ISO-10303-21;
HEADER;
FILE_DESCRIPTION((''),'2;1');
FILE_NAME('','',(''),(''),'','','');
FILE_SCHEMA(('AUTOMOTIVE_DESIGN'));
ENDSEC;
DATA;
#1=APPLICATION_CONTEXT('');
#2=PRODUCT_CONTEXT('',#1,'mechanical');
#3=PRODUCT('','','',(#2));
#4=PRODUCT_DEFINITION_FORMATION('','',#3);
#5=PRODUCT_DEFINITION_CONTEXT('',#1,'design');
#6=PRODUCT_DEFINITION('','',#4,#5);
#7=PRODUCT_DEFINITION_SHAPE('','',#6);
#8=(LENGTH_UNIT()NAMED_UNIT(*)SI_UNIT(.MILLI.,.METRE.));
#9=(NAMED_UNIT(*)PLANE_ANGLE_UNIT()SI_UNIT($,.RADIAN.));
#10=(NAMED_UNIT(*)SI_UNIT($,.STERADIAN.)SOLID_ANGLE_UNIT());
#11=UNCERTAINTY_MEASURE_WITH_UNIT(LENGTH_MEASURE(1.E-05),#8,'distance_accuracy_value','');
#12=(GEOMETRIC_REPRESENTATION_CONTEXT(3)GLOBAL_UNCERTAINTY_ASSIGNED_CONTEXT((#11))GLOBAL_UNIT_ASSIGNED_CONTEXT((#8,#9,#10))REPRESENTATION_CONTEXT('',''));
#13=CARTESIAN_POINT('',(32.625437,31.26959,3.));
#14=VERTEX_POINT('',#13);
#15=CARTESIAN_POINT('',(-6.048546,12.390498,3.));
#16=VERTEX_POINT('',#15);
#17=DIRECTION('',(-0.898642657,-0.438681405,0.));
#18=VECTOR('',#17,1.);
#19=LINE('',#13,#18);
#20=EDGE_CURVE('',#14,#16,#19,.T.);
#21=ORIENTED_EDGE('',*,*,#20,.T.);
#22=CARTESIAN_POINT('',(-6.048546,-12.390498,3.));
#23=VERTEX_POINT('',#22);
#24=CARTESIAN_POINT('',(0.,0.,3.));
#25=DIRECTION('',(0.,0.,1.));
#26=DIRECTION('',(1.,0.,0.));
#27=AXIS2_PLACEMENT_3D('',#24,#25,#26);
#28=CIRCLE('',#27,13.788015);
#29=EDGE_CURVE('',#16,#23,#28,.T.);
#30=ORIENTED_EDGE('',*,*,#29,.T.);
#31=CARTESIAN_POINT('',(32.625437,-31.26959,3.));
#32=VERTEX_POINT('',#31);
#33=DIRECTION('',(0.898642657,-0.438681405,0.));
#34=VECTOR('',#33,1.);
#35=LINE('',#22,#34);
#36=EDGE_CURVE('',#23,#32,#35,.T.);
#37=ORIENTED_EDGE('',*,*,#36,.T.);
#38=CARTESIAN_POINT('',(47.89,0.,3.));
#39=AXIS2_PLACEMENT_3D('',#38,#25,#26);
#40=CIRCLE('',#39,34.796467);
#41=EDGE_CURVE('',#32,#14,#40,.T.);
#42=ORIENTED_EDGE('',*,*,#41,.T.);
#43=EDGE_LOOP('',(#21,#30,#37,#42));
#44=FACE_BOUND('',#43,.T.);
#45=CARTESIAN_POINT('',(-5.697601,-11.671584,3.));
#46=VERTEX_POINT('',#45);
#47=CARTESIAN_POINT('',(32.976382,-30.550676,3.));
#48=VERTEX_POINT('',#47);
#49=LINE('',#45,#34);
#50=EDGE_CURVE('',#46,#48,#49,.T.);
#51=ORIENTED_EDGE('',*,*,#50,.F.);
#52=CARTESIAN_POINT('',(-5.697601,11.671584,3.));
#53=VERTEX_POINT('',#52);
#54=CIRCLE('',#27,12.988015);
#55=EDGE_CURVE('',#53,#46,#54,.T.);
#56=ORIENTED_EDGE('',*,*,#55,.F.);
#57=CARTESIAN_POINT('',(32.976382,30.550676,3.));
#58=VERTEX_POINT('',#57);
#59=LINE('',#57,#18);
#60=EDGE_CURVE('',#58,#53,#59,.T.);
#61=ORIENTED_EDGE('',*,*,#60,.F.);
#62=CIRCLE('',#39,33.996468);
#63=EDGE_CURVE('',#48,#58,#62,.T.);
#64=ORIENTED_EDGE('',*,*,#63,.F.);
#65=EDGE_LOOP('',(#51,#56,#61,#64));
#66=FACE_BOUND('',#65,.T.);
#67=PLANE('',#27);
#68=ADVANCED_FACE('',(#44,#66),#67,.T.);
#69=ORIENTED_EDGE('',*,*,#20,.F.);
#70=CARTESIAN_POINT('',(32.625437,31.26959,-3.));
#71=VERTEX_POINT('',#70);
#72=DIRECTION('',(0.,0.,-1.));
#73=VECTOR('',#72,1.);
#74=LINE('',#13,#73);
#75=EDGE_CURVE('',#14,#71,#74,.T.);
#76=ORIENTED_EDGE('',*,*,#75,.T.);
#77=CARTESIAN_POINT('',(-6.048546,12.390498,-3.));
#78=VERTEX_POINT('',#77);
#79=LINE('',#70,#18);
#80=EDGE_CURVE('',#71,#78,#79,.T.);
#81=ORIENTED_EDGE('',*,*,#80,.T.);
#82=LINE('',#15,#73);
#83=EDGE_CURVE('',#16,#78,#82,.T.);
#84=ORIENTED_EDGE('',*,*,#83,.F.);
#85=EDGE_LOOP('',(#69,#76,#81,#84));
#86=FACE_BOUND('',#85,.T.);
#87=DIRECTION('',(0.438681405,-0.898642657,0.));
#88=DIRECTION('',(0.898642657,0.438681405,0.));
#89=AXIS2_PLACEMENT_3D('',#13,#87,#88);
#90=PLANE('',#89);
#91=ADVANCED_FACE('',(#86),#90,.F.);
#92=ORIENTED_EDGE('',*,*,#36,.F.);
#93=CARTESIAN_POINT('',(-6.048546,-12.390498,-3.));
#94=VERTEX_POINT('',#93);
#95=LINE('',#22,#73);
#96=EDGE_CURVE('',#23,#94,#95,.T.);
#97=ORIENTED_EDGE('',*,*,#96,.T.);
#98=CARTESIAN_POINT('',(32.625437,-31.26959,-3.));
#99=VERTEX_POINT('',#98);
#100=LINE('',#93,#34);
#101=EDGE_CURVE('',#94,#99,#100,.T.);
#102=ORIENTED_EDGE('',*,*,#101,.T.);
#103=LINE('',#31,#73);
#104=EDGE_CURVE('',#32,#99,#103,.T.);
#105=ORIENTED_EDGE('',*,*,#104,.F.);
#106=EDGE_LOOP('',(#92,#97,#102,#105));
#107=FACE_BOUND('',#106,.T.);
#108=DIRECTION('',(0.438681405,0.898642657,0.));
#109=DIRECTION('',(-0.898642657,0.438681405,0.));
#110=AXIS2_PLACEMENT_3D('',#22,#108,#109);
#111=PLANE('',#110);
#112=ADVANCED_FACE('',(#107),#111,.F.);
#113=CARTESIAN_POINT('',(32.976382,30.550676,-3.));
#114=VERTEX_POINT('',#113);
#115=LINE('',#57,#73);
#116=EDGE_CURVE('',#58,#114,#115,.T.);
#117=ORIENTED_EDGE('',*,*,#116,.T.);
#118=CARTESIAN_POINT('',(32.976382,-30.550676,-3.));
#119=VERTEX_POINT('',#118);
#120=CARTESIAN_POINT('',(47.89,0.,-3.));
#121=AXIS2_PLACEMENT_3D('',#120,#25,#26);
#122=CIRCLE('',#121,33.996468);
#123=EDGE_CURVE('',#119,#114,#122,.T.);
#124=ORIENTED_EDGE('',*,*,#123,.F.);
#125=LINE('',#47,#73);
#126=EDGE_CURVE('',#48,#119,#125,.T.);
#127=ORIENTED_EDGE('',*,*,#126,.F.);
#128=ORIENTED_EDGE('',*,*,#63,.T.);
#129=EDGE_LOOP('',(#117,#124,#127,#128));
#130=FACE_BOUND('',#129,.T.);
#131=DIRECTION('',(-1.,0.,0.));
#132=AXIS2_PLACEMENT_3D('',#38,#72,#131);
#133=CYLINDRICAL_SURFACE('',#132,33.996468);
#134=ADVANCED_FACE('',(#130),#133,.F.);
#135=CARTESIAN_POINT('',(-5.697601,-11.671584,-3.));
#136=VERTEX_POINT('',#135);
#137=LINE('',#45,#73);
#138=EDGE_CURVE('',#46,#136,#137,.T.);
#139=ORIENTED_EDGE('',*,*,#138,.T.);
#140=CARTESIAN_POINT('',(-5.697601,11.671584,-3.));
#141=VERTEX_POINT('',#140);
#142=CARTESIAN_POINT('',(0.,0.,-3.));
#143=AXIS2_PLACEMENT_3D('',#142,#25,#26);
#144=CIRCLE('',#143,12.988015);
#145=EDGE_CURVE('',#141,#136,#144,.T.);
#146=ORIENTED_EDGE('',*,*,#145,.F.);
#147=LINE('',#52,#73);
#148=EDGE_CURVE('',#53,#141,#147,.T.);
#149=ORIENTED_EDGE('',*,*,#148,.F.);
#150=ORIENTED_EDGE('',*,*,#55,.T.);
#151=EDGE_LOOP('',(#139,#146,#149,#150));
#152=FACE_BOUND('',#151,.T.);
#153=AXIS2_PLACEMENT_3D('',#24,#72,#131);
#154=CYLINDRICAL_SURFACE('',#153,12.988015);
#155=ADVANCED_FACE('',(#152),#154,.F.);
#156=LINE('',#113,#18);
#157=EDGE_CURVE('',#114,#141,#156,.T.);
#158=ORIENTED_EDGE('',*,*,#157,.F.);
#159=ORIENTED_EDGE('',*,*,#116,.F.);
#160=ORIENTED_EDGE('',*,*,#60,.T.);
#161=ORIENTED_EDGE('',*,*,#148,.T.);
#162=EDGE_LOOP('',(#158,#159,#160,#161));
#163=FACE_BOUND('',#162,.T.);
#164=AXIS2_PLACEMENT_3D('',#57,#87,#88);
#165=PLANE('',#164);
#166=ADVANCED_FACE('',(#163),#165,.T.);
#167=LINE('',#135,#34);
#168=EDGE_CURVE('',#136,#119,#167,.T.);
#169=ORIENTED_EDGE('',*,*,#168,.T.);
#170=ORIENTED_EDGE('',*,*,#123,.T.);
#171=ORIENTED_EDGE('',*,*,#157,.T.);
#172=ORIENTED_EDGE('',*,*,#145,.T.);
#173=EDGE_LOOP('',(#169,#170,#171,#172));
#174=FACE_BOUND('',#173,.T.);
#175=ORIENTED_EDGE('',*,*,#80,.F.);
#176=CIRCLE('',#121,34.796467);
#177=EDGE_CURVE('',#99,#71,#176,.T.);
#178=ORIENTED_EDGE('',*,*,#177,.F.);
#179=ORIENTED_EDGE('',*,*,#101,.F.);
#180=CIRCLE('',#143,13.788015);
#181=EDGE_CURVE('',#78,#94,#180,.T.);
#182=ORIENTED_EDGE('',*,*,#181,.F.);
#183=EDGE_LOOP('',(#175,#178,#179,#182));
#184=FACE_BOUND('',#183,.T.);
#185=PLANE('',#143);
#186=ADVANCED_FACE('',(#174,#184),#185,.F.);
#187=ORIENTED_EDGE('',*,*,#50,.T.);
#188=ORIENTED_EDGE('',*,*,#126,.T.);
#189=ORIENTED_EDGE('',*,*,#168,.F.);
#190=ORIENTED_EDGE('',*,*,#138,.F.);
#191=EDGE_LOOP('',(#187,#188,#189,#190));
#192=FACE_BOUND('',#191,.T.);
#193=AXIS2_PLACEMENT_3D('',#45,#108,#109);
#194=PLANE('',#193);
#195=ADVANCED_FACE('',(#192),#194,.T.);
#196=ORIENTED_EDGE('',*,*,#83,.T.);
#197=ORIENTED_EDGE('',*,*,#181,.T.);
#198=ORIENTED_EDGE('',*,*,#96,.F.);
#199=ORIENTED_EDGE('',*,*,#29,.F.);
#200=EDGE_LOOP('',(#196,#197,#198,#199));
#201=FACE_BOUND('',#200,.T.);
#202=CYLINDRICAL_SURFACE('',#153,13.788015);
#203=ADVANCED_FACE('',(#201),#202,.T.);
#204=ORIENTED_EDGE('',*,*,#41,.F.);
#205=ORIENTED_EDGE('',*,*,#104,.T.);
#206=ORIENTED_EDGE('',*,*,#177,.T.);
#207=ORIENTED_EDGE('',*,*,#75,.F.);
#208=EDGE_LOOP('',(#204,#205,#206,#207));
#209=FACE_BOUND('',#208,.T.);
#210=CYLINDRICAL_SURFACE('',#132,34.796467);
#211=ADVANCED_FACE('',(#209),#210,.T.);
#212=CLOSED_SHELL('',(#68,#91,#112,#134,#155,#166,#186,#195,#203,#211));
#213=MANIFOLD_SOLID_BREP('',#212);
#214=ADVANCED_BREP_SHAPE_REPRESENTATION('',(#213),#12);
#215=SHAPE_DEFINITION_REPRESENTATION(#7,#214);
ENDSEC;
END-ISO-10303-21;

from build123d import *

# Parameters (mm, degrees)
EXTRUDE_1_DEPTH      = 3
EXTRUDE_1_DEPTH_BACK = 3


with BuildPart() as part:
    # 草图1 → 凸台-拉伸1 (new, two sides: drawn at the far end of the back side and taken through both)
    with BuildSketch(Plane.XY.offset(-EXTRUDE_1_DEPTH_BACK)):
        with BuildLine():
            Line((-6.048545797, -12.390498432), (32.625436737, -31.269590002))
            ThreePointArc((32.625436737, -31.269590002), (82.6864675, 0), (32.625436737, 31.269590002))
            Line((32.625436737, 31.269590002), (-6.048545797, 12.390498432))
            ThreePointArc((-6.048545797, 12.390498432), (-13.788015, 0), (-6.048545797, -12.390498432))
        make_face()
        with BuildLine():
            Line((-5.697600672, -11.671584306), (32.976381862, -30.550675876))
            ThreePointArc((32.976381862, -30.550675876), (81.8864675, 0), (32.976381862, 30.550675876))
            Line((32.976381862, 30.550675876), (-5.697600672, 11.671584306))
            ThreePointArc((-5.697600672, 11.671584306), (-12.988015, 0), (-5.697600672, -11.671584306))
        make_face(mode=Mode.SUBTRACT)
    extrude(amount=EXTRUDE_1_DEPTH + EXTRUDE_1_DEPTH_BACK)


solid = part.part
